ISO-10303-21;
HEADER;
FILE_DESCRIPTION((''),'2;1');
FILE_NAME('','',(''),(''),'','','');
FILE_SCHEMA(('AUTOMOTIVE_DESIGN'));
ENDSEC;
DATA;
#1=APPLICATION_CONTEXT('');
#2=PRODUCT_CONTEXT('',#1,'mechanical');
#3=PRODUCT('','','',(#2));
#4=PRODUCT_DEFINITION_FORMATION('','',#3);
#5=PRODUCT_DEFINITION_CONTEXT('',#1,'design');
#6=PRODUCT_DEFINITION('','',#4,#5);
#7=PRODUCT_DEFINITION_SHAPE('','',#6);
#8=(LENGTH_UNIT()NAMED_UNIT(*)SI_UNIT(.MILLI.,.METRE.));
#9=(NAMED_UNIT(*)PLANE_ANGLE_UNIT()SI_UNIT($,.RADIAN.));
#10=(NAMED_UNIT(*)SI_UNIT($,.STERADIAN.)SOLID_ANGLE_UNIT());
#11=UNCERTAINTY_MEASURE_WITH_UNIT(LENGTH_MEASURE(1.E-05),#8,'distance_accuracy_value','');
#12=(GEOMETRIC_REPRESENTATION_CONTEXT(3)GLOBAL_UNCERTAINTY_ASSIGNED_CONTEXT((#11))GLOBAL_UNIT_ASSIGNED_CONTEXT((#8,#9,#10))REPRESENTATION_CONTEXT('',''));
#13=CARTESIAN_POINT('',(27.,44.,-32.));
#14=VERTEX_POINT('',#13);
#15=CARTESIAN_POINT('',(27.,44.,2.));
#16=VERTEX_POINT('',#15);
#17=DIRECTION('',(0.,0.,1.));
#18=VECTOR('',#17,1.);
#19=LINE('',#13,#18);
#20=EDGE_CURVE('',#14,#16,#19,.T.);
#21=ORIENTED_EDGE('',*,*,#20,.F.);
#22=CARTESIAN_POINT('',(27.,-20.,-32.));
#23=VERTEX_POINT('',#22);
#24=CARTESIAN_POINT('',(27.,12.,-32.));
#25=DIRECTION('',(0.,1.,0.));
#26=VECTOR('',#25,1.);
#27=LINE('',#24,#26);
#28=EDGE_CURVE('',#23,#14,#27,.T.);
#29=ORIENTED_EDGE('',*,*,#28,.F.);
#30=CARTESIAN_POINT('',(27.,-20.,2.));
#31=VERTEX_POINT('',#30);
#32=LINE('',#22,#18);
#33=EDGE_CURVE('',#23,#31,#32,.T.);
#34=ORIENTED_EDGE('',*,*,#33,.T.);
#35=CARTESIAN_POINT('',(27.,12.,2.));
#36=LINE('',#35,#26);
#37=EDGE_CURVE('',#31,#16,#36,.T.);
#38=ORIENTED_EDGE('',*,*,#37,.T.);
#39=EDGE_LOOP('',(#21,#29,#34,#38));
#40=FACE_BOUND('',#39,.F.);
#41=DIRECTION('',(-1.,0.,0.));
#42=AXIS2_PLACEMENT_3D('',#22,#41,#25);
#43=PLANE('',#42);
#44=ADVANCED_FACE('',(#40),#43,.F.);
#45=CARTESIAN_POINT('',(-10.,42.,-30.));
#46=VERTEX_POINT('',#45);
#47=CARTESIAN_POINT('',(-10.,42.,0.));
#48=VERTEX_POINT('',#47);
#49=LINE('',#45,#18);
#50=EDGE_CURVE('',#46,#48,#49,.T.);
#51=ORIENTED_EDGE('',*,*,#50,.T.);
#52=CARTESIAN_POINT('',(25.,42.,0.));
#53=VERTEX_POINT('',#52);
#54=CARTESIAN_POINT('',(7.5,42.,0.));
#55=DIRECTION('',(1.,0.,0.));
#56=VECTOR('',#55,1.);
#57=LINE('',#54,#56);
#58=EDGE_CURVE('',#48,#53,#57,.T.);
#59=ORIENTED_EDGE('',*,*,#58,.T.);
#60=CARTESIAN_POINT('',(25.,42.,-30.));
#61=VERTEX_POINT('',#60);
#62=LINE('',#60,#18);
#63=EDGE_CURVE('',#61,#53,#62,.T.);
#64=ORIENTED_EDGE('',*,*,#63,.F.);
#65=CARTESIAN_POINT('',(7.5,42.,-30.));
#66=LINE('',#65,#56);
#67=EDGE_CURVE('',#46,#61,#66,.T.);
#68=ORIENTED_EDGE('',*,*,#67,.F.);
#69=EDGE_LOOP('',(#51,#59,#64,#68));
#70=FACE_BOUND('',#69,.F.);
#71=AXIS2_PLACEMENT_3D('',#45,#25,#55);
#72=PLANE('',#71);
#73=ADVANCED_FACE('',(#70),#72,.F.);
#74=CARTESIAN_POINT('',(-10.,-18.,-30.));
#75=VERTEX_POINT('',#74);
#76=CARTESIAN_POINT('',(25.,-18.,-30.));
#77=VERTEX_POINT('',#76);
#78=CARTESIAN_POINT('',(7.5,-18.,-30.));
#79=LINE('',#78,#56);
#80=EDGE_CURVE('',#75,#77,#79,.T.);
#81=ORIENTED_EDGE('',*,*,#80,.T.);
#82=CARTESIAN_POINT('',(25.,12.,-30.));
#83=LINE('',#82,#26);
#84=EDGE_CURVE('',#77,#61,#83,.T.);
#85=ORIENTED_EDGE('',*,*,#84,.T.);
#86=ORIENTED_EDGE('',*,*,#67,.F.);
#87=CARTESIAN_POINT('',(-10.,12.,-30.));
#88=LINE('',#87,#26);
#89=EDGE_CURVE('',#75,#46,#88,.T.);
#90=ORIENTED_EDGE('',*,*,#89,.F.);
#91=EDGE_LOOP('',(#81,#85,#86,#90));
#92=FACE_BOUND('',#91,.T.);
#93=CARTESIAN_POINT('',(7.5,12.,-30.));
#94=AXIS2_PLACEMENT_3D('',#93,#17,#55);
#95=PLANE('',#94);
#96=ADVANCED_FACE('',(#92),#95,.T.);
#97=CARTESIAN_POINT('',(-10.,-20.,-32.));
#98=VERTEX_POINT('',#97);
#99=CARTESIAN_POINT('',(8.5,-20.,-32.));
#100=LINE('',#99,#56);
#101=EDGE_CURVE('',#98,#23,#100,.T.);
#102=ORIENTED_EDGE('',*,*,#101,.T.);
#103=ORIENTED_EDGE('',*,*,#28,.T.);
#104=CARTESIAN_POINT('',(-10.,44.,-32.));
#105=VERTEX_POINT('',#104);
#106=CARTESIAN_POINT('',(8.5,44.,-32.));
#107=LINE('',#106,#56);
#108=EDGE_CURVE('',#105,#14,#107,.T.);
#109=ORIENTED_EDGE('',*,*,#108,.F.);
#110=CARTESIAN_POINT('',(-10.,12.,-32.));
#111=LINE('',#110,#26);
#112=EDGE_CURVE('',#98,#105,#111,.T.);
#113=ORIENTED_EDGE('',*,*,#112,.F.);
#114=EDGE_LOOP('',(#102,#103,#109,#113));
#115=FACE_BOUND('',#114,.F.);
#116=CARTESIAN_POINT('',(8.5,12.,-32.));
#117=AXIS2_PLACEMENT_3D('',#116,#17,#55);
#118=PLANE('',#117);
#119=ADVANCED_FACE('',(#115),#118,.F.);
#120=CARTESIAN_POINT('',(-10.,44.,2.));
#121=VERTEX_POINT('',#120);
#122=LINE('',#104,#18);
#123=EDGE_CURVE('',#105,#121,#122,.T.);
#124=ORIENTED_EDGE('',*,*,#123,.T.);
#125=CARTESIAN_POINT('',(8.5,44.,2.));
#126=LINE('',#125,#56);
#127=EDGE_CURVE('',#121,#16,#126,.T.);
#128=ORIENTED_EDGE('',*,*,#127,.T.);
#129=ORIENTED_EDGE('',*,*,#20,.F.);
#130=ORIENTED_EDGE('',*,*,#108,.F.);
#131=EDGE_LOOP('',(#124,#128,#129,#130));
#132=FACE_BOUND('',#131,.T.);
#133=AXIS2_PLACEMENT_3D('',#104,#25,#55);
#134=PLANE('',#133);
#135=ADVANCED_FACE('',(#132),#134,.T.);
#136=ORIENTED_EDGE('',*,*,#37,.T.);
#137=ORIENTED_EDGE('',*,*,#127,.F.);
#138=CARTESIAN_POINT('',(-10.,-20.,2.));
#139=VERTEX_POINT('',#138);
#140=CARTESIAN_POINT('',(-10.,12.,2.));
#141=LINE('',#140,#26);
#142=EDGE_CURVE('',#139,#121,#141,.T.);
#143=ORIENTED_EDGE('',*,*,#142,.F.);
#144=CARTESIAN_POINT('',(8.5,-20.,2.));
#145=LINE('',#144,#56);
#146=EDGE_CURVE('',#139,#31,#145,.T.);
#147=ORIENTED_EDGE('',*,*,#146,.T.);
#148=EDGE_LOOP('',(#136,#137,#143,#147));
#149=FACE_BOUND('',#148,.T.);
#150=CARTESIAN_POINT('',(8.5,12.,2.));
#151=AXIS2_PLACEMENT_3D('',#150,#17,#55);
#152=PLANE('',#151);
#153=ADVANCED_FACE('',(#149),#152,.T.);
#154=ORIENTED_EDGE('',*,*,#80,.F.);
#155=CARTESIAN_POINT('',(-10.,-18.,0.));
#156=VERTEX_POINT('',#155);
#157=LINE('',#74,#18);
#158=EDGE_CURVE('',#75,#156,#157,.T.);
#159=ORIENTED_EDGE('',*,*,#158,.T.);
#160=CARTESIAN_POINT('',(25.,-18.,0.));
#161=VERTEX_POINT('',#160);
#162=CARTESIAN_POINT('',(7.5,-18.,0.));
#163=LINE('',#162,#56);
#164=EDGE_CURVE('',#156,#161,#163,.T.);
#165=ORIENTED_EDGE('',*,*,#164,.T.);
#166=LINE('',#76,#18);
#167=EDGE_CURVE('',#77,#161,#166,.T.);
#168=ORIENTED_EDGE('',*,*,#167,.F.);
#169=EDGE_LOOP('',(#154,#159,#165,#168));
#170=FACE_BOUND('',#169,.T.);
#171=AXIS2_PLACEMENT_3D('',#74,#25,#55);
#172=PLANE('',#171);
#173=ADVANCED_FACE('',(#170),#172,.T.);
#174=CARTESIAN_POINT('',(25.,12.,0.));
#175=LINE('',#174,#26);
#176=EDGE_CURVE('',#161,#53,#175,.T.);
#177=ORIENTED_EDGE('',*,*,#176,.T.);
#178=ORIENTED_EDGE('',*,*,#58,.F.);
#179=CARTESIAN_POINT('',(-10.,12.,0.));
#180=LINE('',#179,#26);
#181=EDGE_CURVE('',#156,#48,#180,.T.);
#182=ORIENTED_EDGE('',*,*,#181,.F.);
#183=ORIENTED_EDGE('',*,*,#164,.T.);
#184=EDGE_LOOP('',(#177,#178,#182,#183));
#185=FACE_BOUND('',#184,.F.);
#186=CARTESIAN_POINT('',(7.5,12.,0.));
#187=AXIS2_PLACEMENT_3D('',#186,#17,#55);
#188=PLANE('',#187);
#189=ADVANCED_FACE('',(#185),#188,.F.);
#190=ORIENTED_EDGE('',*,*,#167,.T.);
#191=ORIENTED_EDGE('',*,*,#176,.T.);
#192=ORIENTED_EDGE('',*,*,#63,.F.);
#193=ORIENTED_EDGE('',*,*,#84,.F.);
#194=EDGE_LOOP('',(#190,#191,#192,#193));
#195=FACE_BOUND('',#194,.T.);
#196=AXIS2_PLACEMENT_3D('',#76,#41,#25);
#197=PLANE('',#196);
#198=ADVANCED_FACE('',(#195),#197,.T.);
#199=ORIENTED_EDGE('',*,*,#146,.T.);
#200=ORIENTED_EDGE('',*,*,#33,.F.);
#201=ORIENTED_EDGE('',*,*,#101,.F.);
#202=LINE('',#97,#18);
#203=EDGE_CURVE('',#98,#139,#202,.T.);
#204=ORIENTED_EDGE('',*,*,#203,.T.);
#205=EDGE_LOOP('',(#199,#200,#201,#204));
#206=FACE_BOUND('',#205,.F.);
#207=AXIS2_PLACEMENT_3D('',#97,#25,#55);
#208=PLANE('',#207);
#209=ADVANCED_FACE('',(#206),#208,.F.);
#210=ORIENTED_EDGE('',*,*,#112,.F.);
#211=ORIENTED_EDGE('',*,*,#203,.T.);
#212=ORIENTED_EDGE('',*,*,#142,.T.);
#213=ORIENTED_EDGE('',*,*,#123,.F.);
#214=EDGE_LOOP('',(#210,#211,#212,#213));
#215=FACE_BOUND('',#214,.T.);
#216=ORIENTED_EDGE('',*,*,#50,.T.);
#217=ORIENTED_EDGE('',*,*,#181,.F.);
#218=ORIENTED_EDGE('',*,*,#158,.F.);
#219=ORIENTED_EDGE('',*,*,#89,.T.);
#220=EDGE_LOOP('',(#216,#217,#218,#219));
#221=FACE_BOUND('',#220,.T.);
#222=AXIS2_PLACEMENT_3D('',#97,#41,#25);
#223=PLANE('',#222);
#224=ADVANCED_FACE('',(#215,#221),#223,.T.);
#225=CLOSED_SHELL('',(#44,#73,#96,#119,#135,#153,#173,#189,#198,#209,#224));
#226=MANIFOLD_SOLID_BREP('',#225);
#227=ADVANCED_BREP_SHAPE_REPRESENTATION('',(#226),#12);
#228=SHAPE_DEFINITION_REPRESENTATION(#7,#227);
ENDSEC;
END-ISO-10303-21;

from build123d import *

# Parameters (mm, degrees)
BOX002001002_W     = 35
BOX002001002_H     = 60
BOX002001002_DEPTH = 30
BOX002001003_W     = 37
BOX002001003_H     = 64
BOX002001003_DEPTH = 34


with BuildPart() as box002001002:
    # Box002001002 → Box002001002 (new body)
    with BuildSketch(Plane(origin=(-10, -18, -30), x_dir=(1, 0, 0), z_dir=(0, 0, 1))):
        with Locations((17.5, 30)):
            Rectangle(BOX002001002_W, BOX002001002_H)
    extrude(amount=BOX002001002_DEPTH)


with BuildPart() as cut001:
    # Box002001003 → Box002001003 (new body)
    with BuildSketch(Plane(origin=(-10, -20, -32), x_dir=(1, 0, 0), z_dir=(0, 0, 1))):
        with Locations((18.5, 32)):
            Rectangle(BOX002001003_W, BOX002001003_H)
    extrude(amount=BOX002001003_DEPTH)

    # Cut001: cut Box002001002
    add(box002001002.part, mode=Mode.SUBTRACT)


solid = cut001.part
